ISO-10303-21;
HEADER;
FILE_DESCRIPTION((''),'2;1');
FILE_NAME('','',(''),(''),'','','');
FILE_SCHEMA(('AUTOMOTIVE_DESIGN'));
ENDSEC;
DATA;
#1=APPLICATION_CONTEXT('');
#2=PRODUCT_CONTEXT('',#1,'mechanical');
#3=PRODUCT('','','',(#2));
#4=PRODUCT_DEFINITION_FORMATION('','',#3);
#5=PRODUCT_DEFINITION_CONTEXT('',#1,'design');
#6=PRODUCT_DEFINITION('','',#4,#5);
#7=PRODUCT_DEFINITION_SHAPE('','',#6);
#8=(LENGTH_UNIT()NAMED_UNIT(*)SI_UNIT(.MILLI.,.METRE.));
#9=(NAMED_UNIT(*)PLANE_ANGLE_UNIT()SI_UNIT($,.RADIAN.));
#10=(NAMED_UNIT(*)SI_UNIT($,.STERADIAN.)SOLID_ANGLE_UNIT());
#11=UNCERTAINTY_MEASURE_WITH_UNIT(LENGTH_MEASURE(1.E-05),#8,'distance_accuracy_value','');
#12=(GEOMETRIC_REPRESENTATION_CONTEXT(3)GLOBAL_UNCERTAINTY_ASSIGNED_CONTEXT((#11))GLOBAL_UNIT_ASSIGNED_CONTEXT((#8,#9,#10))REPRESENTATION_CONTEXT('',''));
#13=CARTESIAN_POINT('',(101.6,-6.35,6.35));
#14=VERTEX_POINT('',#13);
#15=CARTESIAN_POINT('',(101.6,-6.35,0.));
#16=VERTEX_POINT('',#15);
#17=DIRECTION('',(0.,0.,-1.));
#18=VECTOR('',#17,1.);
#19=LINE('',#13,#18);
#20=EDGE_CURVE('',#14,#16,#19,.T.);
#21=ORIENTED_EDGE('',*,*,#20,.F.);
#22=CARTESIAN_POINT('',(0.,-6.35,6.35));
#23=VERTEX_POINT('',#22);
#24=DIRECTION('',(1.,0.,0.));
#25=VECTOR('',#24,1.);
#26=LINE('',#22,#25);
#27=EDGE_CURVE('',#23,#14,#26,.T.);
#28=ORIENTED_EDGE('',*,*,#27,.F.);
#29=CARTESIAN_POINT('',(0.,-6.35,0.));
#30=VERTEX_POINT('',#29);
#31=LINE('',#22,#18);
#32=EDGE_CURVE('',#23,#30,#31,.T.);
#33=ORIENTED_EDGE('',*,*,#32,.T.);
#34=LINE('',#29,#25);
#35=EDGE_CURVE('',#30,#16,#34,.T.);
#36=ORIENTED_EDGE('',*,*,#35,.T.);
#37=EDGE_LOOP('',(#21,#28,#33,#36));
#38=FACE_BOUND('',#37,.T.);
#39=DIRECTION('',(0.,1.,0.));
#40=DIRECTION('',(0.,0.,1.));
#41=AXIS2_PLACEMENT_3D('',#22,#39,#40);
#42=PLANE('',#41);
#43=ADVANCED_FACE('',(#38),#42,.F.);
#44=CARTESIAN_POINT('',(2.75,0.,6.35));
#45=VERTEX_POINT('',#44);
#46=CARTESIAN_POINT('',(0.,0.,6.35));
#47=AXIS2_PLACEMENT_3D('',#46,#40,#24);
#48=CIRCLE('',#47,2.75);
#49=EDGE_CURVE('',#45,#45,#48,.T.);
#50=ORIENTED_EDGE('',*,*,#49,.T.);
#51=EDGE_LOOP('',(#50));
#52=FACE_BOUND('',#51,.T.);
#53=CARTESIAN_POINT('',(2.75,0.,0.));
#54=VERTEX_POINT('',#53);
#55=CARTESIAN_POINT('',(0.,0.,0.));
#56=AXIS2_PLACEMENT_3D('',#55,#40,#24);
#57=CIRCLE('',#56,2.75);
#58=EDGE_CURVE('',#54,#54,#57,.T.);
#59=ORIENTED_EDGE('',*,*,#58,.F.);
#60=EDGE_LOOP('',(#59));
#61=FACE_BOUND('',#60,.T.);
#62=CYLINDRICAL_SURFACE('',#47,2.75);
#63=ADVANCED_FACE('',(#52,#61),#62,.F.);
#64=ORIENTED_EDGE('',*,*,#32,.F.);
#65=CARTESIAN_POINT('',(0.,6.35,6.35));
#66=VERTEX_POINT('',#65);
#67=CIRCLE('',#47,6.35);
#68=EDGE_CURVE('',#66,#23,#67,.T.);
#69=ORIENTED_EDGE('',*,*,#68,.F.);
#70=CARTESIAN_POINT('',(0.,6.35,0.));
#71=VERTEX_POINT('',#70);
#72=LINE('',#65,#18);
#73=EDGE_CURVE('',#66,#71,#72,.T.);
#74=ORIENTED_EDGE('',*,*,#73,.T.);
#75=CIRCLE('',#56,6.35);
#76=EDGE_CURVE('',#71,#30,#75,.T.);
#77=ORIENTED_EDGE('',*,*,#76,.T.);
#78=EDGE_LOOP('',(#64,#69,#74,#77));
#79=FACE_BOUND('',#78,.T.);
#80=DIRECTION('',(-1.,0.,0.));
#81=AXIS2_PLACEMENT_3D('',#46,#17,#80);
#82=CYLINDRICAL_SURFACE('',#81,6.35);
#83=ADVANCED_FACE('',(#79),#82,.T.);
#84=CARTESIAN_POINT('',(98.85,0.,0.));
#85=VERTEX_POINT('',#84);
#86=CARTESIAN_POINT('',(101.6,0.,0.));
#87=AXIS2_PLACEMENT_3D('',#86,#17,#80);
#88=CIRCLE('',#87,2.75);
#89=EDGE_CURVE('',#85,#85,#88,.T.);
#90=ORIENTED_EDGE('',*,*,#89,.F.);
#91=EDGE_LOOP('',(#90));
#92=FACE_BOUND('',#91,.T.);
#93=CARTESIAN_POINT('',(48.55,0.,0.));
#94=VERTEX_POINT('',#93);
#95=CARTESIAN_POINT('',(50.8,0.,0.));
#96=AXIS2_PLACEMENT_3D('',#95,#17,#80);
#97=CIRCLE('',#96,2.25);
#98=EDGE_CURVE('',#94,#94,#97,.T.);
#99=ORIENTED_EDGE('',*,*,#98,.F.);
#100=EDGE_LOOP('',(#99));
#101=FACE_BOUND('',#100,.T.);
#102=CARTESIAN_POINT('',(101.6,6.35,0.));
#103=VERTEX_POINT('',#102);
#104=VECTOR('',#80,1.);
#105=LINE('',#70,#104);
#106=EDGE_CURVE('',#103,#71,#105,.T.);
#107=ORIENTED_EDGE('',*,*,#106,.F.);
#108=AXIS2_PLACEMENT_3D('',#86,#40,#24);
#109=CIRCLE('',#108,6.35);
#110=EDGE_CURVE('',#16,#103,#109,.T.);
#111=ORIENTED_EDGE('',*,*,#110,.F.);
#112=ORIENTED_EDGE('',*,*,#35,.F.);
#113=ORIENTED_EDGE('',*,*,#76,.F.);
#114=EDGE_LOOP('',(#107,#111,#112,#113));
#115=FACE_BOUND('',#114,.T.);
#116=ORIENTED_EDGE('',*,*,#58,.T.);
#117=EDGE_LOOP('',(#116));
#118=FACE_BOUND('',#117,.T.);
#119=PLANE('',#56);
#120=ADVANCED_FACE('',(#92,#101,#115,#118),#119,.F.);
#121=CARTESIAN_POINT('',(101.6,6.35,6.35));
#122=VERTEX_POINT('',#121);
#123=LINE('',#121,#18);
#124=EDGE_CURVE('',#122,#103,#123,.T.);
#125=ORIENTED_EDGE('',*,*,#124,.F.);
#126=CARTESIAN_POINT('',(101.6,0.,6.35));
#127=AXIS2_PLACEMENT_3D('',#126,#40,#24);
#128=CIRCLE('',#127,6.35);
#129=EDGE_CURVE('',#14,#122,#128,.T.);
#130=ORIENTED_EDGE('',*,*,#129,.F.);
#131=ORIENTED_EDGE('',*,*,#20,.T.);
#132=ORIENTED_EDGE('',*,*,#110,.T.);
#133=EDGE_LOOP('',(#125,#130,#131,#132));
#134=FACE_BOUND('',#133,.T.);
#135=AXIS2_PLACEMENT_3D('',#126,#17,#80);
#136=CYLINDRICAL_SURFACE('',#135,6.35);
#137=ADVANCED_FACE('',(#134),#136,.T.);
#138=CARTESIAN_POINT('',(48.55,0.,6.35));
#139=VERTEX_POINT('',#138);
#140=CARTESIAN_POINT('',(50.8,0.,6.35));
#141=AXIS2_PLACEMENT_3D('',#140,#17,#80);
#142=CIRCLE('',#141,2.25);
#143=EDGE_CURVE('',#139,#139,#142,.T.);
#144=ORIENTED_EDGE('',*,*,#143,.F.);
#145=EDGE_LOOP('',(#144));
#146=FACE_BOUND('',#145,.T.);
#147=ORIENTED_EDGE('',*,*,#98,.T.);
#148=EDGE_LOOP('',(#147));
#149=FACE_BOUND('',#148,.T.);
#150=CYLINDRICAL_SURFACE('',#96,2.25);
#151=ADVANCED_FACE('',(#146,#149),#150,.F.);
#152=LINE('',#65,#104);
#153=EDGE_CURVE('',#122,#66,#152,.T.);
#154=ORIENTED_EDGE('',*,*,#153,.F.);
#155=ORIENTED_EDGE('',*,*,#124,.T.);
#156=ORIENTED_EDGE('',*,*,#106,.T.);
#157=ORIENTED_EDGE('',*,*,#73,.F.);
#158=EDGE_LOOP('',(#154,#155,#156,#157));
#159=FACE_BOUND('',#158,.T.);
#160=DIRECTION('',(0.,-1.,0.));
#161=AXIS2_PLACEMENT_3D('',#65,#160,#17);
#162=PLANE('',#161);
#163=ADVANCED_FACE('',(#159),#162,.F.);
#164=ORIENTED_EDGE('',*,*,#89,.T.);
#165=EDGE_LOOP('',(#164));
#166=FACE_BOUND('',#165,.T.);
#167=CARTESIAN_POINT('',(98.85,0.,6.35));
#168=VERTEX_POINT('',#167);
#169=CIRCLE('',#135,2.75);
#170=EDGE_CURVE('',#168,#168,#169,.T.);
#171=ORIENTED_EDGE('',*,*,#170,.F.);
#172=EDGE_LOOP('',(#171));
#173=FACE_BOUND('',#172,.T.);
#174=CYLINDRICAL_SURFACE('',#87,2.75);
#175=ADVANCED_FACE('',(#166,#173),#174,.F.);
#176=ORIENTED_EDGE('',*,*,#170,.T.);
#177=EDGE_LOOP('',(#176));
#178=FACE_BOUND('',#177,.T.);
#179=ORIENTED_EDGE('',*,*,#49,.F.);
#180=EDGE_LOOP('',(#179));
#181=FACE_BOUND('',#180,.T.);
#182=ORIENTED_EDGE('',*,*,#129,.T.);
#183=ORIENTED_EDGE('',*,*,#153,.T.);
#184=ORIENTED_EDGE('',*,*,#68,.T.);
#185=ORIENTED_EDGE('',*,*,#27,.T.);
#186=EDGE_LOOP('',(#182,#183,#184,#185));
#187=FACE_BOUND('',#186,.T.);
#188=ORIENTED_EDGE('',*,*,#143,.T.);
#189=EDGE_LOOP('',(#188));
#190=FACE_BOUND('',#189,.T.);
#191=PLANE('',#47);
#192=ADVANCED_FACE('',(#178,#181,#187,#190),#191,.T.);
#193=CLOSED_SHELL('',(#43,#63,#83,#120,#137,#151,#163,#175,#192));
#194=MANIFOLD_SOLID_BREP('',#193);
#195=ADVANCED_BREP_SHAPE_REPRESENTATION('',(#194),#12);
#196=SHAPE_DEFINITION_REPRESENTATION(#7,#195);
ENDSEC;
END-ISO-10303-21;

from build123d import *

# Parameters (mm, degrees)
BOSS_EXTRUDE1_DEPTH  = 6.35
M5_CLEARANCE_HOLE1_D = 5.5
M4_CLEARANCE_HOLE1_D = 4.5
M5_CLEARANCE_HOLE2_D = 5.5


with BuildPart() as part:
    # Sketch1 → Boss-Extrude1 (new body)
    with BuildSketch(Plane.XY):
        with BuildLine():
            Line((0, 6.35), (101.6, 6.35))
            ThreePointArc((101.6, 6.35), (107.95, 0), (101.6, -6.35))
            Line((101.6, -6.35), (0, -6.35))
            ThreePointArc((0, -6.35), (-6.35, 0), (0, 6.35))
        make_face()
    extrude(amount=BOSS_EXTRUDE1_DEPTH)

    # M5 Clearance Hole1 (through all)
    with Locations(Plane(origin=(0, 0, 0), x_dir=(-1, 0, 0), z_dir=(0, 0, -1))):
        with Locations((-101.6, 0)):
            Hole(M5_CLEARANCE_HOLE1_D / 2)

    # M4 Clearance Hole1 (through all)
    with Locations(Plane(origin=(0, 0, 0), x_dir=(-1, 0, 0), z_dir=(0, 0, -1))):
        with Locations((-50.8, 0)):
            Hole(M4_CLEARANCE_HOLE1_D / 2)

    # M5 Clearance Hole2 (through all)
    with Locations(Plane.XY.offset(6.35)):
        with Locations((0, 0)):
            Hole(M5_CLEARANCE_HOLE2_D / 2)


solid = part.part
